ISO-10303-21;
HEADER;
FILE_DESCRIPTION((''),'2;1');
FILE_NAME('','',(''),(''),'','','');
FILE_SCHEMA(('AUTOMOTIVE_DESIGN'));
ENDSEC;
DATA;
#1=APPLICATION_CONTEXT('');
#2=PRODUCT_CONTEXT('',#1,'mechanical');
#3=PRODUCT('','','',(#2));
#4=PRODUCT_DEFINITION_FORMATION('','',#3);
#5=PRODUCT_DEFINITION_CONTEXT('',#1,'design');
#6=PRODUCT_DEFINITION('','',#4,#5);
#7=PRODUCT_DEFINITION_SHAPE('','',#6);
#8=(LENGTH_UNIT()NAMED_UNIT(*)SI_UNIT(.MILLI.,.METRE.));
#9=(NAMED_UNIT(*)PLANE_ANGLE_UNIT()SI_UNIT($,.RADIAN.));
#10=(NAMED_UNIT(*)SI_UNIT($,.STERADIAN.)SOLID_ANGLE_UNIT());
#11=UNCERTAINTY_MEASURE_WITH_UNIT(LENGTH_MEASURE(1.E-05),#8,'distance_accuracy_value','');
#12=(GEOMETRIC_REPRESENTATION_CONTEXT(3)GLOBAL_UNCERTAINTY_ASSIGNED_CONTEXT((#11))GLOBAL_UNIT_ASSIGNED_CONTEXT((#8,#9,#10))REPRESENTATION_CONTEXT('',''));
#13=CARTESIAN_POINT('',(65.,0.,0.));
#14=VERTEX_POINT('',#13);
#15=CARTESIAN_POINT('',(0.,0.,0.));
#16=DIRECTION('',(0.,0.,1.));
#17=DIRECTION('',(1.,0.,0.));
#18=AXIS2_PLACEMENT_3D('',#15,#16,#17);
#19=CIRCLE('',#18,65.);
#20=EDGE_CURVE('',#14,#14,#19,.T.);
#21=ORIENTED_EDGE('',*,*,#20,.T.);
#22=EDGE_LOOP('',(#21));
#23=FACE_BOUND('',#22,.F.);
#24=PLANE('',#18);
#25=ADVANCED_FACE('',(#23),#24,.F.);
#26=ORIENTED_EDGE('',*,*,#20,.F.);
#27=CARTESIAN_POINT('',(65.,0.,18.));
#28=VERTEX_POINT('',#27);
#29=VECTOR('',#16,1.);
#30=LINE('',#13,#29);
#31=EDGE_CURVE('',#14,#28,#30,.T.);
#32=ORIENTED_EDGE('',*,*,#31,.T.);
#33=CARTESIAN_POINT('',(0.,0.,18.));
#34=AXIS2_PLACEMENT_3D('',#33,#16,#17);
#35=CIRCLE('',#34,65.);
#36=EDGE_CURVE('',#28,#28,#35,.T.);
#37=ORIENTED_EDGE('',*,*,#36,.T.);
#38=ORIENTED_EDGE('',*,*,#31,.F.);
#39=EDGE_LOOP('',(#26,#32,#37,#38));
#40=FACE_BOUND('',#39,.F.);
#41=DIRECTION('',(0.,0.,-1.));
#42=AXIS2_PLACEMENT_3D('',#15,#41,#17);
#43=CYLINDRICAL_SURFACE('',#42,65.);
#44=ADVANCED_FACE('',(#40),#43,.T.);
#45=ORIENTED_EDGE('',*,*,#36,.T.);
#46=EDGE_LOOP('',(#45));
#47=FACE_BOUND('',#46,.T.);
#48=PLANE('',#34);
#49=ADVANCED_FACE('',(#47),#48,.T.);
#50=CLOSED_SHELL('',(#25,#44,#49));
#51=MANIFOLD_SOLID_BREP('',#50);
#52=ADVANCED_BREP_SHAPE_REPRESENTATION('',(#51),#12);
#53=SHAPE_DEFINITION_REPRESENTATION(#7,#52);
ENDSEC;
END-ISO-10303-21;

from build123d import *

# Parameters (mm, degrees)
SKIZZE1_R                       = 65
AUFSATZ_LINEAR_AUSTRAGEN1_DEPTH = 18


with BuildPart() as part:
    # Skizze1 → Aufsatz-Linear austragen1 (new body)
    with BuildSketch(Plane.XY):
        Circle(SKIZZE1_R)
    extrude(amount=AUFSATZ_LINEAR_AUSTRAGEN1_DEPTH)


solid = part.part
